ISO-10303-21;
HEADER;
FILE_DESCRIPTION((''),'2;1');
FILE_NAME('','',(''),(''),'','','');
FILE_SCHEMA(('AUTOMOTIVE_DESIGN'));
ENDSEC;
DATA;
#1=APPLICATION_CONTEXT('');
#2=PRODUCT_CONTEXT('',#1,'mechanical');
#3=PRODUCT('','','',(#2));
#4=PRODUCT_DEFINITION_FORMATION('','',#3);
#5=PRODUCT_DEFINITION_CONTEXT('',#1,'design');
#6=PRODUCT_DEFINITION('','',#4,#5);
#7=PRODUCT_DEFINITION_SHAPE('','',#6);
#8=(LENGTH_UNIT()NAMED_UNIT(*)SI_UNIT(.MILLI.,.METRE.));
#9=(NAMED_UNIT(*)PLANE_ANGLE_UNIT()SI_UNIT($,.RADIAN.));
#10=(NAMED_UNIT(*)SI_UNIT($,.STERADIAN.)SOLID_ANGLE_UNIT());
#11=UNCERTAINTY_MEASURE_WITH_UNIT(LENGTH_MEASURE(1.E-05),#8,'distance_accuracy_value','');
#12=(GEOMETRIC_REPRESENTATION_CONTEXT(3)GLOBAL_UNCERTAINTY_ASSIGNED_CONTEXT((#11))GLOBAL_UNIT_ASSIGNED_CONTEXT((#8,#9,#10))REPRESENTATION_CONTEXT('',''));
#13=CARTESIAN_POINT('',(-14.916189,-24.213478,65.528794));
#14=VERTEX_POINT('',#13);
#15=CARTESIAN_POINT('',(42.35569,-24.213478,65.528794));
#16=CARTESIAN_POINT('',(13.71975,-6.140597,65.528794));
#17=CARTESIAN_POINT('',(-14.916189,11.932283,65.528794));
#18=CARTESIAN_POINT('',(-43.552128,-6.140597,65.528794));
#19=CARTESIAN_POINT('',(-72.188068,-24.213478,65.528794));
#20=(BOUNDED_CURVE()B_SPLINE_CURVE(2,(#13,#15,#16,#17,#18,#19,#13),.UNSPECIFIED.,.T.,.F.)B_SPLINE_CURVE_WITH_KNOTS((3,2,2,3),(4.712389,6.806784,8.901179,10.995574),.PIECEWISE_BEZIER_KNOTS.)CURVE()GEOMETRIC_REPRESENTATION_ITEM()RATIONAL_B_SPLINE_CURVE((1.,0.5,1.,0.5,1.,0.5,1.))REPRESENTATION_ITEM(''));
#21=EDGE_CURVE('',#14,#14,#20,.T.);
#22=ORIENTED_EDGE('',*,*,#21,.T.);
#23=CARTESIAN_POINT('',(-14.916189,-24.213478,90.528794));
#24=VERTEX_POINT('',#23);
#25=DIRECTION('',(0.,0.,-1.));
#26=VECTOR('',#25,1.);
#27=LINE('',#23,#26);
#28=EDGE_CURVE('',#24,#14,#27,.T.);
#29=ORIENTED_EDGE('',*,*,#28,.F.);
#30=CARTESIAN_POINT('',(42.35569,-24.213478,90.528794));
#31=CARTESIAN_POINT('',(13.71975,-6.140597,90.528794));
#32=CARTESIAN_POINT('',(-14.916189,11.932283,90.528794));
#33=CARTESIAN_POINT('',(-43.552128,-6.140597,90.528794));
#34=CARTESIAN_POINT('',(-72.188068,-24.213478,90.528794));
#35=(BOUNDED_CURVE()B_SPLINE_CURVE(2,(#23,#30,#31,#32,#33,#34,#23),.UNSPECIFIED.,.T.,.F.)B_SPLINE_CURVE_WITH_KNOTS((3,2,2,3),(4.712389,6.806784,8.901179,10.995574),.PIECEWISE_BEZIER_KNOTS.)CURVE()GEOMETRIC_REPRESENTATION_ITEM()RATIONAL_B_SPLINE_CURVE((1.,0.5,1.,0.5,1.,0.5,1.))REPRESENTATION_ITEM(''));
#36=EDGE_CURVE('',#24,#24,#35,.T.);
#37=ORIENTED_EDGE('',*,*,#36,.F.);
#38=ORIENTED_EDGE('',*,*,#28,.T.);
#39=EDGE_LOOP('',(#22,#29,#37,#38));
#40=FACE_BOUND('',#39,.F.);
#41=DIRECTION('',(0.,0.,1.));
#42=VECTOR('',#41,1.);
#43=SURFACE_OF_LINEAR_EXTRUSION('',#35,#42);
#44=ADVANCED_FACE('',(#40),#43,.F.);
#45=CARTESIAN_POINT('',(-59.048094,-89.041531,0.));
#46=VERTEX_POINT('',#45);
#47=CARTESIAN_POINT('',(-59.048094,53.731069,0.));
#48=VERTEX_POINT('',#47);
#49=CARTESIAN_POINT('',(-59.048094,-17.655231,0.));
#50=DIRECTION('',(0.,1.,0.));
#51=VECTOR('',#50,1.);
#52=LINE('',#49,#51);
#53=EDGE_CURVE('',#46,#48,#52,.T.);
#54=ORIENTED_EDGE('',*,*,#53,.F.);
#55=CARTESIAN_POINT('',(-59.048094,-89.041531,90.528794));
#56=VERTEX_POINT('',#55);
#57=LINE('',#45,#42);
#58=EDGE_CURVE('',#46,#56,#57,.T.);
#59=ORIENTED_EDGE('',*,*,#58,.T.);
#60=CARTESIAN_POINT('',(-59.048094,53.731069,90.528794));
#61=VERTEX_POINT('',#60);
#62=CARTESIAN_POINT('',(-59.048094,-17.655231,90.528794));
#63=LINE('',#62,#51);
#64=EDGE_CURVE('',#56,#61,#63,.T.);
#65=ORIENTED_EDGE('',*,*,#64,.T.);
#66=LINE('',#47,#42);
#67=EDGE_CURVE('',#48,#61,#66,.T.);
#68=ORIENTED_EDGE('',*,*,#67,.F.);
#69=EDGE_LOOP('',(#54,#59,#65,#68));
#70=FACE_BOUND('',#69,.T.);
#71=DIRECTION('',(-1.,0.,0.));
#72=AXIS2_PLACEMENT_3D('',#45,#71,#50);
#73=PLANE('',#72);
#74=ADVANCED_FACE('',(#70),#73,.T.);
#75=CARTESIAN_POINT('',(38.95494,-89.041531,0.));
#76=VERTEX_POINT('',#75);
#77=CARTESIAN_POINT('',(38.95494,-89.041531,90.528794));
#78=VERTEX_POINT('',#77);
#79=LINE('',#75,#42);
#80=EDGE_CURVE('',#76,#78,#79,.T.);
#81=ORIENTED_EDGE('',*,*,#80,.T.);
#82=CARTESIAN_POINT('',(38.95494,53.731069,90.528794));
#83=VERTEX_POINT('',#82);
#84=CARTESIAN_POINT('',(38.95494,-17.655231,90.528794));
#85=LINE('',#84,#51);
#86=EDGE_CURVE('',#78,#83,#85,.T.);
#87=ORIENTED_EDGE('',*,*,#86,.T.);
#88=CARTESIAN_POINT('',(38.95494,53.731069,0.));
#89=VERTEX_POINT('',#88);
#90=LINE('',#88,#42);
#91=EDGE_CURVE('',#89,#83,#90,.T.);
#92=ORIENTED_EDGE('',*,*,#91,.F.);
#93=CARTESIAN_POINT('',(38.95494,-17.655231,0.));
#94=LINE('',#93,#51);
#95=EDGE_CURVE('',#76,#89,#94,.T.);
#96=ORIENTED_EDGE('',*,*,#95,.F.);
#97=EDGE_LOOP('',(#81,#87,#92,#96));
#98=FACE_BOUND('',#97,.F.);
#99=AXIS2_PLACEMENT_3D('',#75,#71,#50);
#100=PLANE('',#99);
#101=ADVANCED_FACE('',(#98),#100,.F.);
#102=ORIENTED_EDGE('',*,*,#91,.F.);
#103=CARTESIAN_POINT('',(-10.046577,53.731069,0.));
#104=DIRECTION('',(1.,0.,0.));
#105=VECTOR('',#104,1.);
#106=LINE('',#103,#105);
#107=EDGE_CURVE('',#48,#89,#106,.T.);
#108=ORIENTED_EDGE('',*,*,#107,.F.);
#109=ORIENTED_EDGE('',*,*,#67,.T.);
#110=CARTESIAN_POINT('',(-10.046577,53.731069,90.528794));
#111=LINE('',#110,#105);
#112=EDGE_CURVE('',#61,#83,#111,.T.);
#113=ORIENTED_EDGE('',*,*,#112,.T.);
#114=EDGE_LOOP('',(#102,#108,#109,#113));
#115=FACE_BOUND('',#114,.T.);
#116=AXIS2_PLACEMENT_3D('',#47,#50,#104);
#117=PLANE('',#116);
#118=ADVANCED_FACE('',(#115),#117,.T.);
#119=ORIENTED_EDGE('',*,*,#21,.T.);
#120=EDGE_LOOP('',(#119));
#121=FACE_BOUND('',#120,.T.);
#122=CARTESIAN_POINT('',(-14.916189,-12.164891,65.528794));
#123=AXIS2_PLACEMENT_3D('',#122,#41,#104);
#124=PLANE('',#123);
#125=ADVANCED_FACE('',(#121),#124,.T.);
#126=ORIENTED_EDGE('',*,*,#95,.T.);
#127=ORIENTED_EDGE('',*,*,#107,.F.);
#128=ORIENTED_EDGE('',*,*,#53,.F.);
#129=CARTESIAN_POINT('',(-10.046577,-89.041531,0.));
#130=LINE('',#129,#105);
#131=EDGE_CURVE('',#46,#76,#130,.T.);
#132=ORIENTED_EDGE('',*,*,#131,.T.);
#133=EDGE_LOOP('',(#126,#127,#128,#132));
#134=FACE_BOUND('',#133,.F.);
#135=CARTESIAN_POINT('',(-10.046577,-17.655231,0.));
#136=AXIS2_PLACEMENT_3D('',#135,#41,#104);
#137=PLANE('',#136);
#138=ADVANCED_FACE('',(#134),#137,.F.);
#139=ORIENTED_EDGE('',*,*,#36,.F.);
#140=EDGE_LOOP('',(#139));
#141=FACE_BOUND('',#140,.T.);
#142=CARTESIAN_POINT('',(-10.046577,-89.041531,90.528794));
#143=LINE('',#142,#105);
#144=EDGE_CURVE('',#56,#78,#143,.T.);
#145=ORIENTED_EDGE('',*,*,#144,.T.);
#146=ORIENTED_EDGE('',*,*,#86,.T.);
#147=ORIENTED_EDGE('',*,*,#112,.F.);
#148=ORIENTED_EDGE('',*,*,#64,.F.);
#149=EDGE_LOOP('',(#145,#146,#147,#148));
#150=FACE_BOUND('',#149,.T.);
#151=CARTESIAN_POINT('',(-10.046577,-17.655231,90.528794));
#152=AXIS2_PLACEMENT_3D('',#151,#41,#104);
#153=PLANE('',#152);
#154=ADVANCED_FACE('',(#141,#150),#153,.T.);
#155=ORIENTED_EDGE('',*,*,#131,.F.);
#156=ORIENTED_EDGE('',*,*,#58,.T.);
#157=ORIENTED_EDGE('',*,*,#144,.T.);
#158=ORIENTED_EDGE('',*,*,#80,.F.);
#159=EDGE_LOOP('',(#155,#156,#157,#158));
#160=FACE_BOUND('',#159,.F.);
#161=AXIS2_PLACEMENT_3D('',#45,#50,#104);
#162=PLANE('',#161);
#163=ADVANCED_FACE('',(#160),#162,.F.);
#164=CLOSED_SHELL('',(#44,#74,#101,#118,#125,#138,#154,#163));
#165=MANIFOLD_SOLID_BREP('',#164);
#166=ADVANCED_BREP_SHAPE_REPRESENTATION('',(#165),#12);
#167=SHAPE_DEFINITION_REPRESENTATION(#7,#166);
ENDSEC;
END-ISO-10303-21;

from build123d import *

# Parameters (mm, degrees)
F0_W     = 98.003034
F0_H     = 142.7726
F1_DEPTH = 90.528794
F3_DEPTH = 25


with BuildPart() as f1:
    # F0 (on Top) → F1 (new body)
    with BuildSketch(Plane.XY):
        with Locations((-10.046577, -17.655231)):
            Rectangle(F0_W, F0_H)
    extrude(amount=F1_DEPTH)

    # F2 (on face) → F3 (cut)
    with BuildSketch(Plane.XY.offset(90.528794)):
        with BuildLine():
            add(Edge.make_bspline(
                [(-14.916189, -24.213478), (42.35569, -24.213478), (13.71975, -6.140597), (-14.916189, 11.932283), (-43.552128, -6.140597), (-72.188068, -24.213478), (-14.916189, -24.213478)],
                knots=[4.712389, 4.712389, 4.712389, 6.806784, 6.806784, 8.901179, 8.901179, 10.995574, 10.995574, 10.995574], degree=2, weights=[1, 0.5, 1, 0.5, 1, 0.5, 1]))
        make_face()
    extrude(amount=-F3_DEPTH, mode=Mode.SUBTRACT)


solid = f1.part
